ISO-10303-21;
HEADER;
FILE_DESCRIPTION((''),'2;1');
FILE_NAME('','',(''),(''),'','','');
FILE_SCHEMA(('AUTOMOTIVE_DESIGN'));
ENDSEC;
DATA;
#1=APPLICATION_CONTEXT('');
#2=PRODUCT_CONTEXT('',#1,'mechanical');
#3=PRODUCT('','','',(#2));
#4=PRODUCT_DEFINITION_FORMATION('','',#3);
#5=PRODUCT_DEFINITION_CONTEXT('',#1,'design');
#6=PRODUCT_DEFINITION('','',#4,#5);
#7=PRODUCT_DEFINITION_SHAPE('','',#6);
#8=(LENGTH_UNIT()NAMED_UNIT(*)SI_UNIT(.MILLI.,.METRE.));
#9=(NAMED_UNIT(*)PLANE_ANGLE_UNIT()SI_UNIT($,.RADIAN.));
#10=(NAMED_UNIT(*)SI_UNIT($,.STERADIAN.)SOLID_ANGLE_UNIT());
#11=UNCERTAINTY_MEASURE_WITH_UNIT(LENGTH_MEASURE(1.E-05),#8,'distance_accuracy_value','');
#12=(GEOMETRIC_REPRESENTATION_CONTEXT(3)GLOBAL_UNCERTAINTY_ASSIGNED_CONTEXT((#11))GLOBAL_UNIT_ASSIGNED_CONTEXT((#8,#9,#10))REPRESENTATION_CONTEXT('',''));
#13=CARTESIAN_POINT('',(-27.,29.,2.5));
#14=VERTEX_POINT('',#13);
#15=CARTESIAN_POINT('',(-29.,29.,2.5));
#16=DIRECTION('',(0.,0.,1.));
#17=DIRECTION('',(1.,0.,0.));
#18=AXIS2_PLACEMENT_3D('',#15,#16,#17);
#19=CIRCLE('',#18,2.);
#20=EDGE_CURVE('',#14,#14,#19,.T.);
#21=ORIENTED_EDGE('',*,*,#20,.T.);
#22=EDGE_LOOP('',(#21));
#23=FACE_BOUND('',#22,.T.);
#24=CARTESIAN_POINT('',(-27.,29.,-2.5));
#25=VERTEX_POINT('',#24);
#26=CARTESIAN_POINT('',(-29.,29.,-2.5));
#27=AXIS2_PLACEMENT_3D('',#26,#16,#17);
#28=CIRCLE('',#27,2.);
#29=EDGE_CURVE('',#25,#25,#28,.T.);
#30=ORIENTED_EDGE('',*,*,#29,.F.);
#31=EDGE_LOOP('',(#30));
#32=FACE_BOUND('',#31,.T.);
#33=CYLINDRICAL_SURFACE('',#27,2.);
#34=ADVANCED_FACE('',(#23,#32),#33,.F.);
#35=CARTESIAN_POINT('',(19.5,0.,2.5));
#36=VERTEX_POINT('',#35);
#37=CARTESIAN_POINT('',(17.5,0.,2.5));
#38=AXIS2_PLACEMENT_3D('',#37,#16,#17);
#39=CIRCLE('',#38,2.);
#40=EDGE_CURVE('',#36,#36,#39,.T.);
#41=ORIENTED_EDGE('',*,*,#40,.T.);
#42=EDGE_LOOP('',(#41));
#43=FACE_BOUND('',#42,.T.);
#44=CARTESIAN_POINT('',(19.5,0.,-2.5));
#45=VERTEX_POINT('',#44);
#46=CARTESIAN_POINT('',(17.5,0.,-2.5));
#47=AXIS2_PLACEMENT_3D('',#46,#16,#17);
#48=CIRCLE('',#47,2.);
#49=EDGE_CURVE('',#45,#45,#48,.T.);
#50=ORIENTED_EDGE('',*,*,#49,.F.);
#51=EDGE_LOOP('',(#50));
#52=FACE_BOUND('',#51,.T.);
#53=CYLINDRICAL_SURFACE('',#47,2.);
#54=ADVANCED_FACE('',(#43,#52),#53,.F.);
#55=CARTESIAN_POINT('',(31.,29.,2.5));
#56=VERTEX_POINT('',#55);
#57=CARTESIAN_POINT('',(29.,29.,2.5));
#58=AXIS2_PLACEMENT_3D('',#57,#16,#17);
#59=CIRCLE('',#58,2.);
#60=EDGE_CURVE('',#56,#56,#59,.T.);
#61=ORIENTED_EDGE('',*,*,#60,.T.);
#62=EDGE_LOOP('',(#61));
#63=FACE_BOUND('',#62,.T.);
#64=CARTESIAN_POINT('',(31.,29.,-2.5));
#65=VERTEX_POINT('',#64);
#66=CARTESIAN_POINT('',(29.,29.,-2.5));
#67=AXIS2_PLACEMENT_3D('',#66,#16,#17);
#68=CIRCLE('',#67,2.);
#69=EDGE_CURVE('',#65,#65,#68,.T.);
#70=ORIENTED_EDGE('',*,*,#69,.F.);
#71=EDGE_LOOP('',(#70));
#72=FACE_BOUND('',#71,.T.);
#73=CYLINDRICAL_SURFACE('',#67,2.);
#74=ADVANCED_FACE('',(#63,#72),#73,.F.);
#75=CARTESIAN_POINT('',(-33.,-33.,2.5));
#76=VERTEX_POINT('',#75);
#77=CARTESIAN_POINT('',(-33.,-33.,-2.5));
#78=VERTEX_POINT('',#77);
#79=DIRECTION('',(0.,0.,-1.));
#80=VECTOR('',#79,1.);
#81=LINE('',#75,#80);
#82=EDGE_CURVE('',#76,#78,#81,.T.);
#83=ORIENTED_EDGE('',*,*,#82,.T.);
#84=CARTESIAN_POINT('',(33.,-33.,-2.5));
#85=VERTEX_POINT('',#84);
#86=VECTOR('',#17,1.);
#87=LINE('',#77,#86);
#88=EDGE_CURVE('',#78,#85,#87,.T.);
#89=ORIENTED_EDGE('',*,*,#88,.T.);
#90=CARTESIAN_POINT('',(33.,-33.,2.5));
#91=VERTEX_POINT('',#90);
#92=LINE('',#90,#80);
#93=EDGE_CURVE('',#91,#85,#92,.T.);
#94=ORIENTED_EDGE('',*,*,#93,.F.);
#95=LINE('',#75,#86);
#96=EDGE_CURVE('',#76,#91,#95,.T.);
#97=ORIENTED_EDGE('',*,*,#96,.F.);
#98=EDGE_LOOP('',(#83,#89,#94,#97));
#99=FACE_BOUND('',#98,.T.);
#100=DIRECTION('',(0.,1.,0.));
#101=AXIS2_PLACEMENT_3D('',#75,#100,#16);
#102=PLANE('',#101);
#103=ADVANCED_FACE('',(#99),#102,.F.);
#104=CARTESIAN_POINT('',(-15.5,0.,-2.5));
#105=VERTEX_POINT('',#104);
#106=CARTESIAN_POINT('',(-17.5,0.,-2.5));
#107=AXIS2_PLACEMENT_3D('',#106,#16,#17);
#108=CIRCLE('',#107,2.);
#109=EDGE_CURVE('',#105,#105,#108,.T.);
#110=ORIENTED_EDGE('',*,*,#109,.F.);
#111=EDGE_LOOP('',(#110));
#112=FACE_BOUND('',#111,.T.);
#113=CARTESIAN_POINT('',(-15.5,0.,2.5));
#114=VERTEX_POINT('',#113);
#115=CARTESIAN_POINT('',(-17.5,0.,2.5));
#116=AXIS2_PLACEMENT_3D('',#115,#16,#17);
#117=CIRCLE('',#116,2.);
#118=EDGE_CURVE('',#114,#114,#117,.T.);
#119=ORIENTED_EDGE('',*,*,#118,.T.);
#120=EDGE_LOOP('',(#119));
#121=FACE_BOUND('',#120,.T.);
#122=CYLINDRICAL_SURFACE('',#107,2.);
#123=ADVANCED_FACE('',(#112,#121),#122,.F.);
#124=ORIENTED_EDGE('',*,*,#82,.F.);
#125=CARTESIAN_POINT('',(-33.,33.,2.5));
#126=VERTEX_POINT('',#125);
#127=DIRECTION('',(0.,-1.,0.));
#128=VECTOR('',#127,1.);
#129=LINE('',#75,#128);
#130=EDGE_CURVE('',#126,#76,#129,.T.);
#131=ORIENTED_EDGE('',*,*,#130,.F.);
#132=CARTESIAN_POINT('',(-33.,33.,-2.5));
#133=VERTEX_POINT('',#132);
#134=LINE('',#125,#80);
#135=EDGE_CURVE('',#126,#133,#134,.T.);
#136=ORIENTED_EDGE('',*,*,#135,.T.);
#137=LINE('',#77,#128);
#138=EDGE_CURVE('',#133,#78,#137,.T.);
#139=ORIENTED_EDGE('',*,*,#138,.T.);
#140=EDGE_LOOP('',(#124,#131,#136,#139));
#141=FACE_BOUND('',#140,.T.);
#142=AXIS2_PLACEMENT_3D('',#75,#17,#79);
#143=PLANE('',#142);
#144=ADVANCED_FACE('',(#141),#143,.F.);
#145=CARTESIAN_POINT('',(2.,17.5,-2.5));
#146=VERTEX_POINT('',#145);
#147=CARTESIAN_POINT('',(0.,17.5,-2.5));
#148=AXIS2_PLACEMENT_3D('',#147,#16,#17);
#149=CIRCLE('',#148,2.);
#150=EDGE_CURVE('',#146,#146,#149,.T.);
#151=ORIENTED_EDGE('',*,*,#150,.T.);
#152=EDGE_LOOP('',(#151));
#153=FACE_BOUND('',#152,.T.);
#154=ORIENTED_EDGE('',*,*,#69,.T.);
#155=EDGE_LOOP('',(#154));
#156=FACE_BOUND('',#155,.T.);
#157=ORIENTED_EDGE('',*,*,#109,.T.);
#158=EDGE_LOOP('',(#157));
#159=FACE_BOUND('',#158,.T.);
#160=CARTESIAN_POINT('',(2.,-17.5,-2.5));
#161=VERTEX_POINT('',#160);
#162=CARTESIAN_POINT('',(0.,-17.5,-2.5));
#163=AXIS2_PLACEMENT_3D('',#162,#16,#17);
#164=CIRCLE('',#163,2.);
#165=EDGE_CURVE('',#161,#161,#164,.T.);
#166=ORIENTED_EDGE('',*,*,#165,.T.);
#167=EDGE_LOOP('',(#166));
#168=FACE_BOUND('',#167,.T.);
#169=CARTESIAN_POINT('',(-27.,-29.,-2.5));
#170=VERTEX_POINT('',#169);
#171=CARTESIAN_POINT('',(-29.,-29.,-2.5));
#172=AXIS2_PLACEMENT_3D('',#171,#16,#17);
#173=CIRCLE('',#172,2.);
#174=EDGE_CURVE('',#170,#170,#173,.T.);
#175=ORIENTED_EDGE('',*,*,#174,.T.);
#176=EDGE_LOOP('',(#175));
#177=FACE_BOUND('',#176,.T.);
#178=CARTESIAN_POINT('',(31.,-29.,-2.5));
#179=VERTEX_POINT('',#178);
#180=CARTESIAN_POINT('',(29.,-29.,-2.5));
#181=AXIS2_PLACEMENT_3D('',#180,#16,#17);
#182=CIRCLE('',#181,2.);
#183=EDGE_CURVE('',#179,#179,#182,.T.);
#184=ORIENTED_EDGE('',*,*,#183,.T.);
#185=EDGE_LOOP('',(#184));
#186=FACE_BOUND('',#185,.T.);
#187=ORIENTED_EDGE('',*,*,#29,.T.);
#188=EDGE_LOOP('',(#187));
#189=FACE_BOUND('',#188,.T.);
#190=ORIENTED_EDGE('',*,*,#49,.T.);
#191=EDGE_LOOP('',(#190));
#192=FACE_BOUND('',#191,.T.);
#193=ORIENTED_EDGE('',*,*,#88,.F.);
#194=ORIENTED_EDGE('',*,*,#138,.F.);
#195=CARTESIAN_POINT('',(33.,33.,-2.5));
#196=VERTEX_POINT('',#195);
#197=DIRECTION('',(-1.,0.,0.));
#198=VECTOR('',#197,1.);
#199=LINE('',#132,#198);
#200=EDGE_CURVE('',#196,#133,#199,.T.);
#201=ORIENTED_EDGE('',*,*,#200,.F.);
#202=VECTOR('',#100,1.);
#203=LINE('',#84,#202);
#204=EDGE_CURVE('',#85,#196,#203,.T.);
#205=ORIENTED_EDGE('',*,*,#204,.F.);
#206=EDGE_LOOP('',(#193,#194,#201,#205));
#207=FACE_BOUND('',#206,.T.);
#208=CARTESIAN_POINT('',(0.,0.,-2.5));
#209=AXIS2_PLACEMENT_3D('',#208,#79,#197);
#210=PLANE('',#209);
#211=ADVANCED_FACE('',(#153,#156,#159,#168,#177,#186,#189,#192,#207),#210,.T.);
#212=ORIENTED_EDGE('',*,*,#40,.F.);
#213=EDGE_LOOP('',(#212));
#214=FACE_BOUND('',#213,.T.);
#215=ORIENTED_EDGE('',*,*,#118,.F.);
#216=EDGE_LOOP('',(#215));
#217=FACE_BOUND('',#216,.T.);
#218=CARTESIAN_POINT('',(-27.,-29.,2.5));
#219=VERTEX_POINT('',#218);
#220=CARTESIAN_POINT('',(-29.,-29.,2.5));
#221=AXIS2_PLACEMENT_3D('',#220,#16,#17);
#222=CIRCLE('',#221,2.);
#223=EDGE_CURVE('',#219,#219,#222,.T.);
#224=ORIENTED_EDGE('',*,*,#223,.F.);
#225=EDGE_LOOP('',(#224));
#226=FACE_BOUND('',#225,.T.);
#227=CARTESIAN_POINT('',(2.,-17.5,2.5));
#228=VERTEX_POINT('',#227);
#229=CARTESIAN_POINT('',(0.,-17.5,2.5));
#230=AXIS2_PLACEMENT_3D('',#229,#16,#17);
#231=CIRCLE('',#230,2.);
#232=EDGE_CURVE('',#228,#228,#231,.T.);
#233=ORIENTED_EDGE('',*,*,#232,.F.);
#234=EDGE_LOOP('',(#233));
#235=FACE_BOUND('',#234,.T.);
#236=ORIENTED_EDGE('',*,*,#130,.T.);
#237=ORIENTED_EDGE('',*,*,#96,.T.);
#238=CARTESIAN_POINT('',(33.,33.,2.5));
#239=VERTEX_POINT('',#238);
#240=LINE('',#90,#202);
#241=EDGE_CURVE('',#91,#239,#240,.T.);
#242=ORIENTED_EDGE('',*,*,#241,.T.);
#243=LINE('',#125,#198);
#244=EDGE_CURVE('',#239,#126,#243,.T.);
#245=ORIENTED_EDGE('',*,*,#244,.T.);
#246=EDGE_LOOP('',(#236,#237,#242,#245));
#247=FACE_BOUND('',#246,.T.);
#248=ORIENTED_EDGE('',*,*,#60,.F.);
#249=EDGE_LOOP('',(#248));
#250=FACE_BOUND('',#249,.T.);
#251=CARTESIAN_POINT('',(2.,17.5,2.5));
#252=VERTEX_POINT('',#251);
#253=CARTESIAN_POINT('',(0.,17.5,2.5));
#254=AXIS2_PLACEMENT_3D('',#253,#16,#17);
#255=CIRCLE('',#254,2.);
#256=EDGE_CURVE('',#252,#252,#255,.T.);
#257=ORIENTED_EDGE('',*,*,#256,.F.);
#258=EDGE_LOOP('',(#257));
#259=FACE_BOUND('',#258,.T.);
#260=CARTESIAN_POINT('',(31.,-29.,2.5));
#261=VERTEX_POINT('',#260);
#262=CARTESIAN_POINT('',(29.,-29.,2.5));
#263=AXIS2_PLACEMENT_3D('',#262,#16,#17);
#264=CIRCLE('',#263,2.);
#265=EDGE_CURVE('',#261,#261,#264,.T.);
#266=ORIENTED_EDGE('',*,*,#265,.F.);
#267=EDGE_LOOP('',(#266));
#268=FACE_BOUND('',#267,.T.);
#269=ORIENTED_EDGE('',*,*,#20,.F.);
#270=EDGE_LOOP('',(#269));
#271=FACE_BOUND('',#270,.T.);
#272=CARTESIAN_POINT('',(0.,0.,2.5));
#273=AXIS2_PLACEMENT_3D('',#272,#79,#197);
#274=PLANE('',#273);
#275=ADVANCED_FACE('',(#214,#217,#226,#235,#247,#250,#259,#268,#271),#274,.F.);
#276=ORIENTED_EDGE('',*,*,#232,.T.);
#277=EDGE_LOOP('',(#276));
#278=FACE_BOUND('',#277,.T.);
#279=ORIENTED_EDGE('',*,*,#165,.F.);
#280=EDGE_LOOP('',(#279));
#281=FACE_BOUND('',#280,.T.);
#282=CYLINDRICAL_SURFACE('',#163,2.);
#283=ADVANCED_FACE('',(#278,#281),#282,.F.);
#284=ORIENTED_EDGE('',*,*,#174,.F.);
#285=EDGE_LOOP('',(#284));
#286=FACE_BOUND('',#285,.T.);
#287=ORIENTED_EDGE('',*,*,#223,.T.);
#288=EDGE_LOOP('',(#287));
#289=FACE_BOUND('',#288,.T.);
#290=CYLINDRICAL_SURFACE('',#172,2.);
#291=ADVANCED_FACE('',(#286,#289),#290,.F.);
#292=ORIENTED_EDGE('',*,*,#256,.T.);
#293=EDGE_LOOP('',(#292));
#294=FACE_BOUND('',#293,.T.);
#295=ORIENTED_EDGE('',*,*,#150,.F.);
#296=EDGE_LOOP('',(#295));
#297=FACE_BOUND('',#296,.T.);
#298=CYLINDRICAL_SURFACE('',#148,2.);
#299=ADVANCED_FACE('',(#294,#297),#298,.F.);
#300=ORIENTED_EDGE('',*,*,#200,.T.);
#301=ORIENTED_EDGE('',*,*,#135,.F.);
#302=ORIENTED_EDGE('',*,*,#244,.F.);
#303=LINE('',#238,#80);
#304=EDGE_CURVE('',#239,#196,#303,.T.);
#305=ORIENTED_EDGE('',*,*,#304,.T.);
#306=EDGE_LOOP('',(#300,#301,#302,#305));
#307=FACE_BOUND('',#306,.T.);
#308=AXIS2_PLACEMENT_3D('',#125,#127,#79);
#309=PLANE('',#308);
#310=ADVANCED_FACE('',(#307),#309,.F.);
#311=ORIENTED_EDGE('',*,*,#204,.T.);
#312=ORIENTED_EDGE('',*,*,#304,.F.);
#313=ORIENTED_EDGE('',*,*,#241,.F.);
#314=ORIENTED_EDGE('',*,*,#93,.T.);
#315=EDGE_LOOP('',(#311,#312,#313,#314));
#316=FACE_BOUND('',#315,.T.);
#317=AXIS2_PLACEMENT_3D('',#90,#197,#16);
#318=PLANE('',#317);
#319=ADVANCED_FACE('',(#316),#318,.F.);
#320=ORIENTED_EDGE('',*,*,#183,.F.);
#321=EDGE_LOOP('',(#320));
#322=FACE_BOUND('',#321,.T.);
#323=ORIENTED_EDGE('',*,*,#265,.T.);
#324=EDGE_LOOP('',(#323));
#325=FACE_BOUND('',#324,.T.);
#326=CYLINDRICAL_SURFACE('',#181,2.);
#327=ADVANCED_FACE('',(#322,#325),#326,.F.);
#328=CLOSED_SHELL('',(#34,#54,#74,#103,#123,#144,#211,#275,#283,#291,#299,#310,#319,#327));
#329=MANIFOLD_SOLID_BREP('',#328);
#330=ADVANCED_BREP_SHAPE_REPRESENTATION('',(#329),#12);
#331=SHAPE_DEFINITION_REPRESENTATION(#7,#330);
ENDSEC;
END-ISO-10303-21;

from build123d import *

# Parameters (mm, degrees)
SKETCH1_W           = 66
SKETCH1_H           = 66
BOSS_EXTRUDE1_DEPTH = 2.5
SKETCH2_R           = 2
CUT_EXTRUDE1_DEPTH  = 6
SKETCH3_R           = 2
CUT_EXTRUDE2_DEPTH  = 6


with BuildPart() as part:
    # Sketch1 → Boss-Extrude1 (new body, symmetric)
    with BuildSketch(Plane.XY):
        Rectangle(SKETCH1_W, SKETCH1_H)
    extrude(amount=BOSS_EXTRUDE1_DEPTH, both=True)

    # Sketch2 → Cut-Extrude1 (cut, through all)
    with BuildSketch(Plane.XY.offset(2.5)):
        with Locations((-29, 29)):
            Circle(SKETCH2_R)
        with Locations((29, 29)):
            Circle(SKETCH2_R)
        with Locations((29, -29)):
            Circle(SKETCH2_R)
        with Locations((-29, -29)):
            Circle(SKETCH2_R)
    extrude(amount=-CUT_EXTRUDE1_DEPTH, mode=Mode.SUBTRACT)

    # Sketch3 → Cut-Extrude2 (cut, through all)
    with BuildSketch(Plane.XY.offset(2.5)):
        with Locations((0, 17.5)):
            Circle(SKETCH3_R)
        with Locations((17.5, 0)):
            Circle(SKETCH3_R)
        with Locations((0, -17.5)):
            Circle(SKETCH3_R)
        with Locations((-17.5, 0)):
            Circle(SKETCH3_R)
    extrude(amount=-CUT_EXTRUDE2_DEPTH, mode=Mode.SUBTRACT)


solid = part.part
